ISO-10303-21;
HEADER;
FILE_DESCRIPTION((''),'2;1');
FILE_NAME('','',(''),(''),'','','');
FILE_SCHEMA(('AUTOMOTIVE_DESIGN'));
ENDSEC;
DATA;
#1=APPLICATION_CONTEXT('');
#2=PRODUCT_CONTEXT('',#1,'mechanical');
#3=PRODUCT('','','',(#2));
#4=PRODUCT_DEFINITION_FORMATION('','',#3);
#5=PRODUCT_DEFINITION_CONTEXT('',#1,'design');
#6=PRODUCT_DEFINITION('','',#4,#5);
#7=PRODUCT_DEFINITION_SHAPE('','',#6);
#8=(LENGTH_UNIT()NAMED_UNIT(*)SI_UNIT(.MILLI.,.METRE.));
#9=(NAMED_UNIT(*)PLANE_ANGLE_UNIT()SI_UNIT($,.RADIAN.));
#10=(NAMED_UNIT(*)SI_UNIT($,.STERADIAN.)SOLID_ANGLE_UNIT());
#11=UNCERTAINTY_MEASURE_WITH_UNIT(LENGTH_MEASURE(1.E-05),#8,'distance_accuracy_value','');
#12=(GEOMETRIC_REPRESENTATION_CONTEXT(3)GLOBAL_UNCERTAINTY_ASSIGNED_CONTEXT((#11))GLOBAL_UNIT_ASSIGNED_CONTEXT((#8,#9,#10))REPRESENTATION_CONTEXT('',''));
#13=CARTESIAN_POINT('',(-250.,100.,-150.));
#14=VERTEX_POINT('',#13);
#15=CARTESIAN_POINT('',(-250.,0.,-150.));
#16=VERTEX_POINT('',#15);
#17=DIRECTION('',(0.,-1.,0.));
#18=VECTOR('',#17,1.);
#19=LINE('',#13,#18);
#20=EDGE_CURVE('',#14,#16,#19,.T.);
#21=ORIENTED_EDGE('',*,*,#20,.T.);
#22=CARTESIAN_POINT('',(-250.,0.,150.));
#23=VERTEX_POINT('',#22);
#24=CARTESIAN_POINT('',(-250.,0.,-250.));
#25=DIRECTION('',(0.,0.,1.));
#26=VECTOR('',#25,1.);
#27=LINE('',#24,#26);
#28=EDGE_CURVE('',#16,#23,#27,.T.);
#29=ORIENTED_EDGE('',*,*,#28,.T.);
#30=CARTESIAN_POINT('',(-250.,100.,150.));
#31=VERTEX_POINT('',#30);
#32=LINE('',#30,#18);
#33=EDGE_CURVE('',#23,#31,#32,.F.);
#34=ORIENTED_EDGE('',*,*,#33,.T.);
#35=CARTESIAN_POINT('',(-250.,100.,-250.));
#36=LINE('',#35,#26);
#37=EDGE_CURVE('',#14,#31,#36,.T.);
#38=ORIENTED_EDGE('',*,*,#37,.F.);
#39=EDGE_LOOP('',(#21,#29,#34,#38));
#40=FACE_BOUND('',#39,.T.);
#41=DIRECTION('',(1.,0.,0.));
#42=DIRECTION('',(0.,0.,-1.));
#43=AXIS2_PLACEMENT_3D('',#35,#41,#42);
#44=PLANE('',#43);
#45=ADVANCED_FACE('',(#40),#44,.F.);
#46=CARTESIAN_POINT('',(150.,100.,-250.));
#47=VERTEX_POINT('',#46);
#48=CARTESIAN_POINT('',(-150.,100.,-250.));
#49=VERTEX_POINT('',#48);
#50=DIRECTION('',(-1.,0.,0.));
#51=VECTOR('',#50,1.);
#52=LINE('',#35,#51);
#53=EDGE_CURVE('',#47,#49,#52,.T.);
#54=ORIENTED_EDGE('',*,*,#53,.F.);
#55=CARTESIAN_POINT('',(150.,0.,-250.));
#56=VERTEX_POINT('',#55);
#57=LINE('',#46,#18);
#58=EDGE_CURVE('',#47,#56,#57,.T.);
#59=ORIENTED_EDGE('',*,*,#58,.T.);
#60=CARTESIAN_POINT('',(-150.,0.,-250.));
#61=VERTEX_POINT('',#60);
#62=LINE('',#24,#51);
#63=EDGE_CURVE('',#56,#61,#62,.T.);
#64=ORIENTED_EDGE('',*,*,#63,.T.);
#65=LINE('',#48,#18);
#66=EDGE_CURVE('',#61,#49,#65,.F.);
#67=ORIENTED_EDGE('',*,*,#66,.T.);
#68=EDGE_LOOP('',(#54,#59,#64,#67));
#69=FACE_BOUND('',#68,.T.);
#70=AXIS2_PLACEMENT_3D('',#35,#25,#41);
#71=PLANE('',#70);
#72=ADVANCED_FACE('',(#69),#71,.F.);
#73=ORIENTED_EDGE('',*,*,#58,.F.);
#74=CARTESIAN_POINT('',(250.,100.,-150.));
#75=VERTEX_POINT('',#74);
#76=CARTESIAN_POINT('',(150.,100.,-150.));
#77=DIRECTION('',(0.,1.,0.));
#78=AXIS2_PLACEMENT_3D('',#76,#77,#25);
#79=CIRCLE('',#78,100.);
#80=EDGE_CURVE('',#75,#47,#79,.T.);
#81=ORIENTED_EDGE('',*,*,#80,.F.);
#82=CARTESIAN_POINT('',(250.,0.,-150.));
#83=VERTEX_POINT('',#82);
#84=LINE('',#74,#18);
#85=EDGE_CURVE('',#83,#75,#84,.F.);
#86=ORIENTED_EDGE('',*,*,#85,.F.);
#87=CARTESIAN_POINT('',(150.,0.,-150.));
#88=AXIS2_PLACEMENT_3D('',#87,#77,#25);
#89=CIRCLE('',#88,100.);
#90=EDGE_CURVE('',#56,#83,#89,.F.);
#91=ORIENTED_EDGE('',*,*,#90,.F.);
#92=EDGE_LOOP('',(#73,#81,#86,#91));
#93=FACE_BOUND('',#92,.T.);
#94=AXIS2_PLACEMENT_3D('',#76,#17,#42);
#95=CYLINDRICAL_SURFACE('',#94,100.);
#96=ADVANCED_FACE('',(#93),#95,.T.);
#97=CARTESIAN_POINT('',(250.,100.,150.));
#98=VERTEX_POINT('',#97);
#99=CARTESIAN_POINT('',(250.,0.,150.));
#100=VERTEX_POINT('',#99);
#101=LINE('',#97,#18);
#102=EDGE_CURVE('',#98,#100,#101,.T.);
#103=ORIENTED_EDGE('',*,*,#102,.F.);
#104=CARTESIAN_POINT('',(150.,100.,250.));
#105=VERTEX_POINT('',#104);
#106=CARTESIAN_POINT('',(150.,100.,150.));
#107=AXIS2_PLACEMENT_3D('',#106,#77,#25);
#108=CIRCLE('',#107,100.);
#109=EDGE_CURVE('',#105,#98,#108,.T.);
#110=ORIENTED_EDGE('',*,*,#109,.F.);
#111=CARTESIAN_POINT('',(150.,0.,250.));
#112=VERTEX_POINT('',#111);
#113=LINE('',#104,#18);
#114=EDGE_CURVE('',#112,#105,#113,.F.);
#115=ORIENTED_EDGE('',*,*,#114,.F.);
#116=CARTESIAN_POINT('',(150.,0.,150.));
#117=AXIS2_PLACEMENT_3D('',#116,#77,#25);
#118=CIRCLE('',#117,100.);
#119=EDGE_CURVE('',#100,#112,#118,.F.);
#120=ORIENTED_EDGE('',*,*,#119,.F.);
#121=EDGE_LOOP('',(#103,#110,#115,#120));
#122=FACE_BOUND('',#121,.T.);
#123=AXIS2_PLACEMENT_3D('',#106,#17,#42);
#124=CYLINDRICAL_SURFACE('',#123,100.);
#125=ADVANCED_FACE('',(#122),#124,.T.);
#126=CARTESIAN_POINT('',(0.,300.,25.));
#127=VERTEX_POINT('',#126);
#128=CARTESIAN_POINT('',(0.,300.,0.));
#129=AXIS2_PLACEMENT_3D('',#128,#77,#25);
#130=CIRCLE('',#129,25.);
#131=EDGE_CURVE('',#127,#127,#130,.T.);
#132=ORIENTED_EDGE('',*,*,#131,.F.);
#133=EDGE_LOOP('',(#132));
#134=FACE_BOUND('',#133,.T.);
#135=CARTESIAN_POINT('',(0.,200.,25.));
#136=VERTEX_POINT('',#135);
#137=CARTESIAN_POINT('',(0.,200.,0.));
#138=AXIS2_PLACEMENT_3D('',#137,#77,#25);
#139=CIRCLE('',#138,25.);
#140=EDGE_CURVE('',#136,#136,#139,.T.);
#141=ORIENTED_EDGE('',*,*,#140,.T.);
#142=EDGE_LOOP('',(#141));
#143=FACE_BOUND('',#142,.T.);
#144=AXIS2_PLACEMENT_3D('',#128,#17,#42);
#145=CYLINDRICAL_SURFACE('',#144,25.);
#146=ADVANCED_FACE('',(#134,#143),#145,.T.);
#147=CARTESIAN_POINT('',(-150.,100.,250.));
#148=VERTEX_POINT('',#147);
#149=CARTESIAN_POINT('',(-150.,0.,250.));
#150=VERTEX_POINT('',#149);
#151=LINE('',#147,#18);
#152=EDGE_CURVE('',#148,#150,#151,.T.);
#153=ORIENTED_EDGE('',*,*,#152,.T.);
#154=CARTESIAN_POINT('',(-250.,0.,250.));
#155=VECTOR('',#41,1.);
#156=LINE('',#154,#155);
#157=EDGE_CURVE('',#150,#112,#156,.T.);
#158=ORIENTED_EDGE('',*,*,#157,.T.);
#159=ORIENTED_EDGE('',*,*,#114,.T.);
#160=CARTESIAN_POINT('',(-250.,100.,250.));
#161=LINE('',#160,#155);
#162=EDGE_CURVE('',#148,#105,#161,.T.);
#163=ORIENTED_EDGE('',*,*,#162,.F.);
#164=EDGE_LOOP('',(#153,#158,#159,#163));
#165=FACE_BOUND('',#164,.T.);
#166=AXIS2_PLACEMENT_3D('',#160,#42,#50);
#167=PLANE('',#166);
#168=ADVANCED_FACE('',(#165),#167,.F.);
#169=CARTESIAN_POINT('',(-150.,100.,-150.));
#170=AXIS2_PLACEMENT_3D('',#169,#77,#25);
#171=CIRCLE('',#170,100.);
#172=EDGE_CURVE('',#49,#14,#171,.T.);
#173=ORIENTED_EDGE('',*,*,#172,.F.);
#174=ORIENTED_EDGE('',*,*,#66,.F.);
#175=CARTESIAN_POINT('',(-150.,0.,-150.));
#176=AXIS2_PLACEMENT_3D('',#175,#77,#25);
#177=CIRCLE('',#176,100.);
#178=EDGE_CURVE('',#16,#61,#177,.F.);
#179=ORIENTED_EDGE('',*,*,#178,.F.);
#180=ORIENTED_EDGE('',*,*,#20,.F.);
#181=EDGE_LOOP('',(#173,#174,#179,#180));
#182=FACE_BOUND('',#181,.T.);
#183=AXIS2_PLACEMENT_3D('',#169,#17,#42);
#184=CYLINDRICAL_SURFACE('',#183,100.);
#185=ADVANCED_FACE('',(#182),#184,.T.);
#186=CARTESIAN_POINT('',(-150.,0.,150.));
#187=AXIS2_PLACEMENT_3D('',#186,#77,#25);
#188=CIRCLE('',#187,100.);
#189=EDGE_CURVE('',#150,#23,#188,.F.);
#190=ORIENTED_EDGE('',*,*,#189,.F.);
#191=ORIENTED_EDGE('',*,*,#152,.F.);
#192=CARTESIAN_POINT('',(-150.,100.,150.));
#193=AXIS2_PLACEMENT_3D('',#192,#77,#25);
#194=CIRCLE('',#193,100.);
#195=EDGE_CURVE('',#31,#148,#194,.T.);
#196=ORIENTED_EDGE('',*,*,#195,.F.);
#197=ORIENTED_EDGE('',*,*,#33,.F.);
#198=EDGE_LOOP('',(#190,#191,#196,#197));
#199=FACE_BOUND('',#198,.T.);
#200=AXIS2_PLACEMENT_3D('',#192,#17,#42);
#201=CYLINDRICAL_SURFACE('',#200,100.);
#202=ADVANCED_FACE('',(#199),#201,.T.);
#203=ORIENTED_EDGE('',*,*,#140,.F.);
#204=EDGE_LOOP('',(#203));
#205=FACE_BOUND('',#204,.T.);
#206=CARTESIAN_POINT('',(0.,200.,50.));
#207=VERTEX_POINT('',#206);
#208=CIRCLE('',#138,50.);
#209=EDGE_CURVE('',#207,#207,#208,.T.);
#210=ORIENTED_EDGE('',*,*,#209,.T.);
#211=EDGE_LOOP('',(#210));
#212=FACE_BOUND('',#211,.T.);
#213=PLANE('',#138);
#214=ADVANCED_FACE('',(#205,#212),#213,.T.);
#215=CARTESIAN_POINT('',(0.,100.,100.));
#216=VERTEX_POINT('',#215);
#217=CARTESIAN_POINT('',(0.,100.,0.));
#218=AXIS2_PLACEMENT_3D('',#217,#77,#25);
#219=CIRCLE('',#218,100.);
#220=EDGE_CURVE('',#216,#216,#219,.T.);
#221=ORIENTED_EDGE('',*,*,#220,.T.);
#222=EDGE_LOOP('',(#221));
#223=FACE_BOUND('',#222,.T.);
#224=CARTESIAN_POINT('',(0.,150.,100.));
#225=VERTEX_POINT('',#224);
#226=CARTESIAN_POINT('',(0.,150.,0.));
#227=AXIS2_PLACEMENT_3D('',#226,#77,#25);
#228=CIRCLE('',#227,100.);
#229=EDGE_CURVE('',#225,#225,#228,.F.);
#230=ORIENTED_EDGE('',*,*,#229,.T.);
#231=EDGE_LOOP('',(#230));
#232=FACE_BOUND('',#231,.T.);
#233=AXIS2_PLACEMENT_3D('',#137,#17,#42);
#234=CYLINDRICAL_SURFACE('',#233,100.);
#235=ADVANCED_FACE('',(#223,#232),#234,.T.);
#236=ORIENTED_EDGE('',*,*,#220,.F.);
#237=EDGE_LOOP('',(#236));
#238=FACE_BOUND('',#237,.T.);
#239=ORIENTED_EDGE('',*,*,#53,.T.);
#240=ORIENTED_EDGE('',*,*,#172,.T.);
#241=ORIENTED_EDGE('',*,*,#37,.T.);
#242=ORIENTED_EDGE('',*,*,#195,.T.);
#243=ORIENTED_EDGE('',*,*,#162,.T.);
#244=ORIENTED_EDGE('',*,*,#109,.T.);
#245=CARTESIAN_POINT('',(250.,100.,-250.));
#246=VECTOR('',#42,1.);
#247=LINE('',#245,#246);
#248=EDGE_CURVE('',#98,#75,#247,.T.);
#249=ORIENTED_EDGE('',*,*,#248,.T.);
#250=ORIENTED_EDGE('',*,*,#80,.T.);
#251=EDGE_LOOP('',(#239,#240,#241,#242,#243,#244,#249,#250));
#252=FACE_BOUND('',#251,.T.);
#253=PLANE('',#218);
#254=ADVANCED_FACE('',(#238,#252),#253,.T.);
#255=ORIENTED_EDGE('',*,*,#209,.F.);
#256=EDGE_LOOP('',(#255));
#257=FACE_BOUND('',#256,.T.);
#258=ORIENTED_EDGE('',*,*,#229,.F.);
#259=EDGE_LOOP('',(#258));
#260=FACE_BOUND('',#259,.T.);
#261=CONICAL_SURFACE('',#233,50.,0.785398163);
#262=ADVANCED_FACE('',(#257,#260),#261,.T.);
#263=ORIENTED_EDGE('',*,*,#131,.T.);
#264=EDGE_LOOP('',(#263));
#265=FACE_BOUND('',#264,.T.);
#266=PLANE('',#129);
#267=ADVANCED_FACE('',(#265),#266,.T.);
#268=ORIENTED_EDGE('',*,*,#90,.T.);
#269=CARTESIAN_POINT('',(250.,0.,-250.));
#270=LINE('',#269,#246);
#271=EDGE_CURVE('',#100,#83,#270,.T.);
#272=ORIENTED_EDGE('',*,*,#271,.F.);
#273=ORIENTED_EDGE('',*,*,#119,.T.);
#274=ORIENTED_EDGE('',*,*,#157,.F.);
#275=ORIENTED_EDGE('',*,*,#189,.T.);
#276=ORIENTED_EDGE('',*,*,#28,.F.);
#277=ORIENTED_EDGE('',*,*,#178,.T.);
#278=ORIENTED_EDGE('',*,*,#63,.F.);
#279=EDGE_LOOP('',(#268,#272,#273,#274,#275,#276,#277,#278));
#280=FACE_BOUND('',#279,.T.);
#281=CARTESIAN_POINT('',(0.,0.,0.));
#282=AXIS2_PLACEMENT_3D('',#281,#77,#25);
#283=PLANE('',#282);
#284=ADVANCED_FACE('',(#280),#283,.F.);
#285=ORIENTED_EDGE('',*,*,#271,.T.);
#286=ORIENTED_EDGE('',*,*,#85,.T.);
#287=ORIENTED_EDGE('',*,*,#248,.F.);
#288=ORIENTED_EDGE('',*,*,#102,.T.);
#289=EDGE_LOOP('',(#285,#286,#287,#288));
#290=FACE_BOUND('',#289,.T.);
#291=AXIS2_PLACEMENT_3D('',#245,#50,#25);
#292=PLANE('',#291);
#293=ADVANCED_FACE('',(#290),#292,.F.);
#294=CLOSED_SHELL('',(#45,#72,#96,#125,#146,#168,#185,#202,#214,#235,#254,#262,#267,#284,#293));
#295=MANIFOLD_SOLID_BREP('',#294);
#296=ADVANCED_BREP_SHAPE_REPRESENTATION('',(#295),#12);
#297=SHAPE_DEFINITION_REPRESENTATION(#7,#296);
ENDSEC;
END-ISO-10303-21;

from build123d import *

# Parameters (mm, degrees)
SKETCH1_W           = 500
SKETCH1_H           = 500
BOSS_EXTRUDE1_DEPTH = 100
SKETCH2_R           = 100
BOSS_EXTRUDE2_DEPTH = 100
SKETCH3_R           = 25
BOSS_EXTRUDE3_DEPTH = 100
CHAMFER1_SIZE       = 50
FILLET1_R           = 100


with BuildPart() as part:
    # Sketch1 → Boss-Extrude1 (new body)
    with BuildSketch(Plane(origin=(0, 0, 0), x_dir=(1, 0, 0), z_dir=(0, 1, 0))):
        Rectangle(SKETCH1_W, SKETCH1_H)
    extrude(amount=BOSS_EXTRUDE1_DEPTH)

    # Sketch2 → Boss-Extrude2 (add)
    with BuildSketch(Plane(origin=(0, 100, 0), x_dir=(1, 0, 0), z_dir=(0, 1, 0))):
        Circle(SKETCH2_R)
    extrude(amount=BOSS_EXTRUDE2_DEPTH)

    # Sketch3 → Boss-Extrude3 (add)
    with BuildSketch(Plane(origin=(0, 200, 0), x_dir=(1, 0, 0), z_dir=(0, 1, 0))):
        Circle(SKETCH3_R)
    extrude(amount=BOSS_EXTRUDE3_DEPTH)

    # Chamfer1
    chamfer1_edges = [part.edges().sort_by_distance(p)[0] for p in [
        (-100, 200, 0),
    ]]
    chamfer(chamfer1_edges, length=CHAMFER1_SIZE)

    # Fillet1
    fillet1_edges = [part.edges().sort_by_distance(p)[0] for p in [
        (250, 50, 250),
        (-250, 50, 250),
        (-250, 50, -250),
        (250, 50, -250),
    ]]
    fillet(fillet1_edges, radius=FILLET1_R)


solid = part.part
